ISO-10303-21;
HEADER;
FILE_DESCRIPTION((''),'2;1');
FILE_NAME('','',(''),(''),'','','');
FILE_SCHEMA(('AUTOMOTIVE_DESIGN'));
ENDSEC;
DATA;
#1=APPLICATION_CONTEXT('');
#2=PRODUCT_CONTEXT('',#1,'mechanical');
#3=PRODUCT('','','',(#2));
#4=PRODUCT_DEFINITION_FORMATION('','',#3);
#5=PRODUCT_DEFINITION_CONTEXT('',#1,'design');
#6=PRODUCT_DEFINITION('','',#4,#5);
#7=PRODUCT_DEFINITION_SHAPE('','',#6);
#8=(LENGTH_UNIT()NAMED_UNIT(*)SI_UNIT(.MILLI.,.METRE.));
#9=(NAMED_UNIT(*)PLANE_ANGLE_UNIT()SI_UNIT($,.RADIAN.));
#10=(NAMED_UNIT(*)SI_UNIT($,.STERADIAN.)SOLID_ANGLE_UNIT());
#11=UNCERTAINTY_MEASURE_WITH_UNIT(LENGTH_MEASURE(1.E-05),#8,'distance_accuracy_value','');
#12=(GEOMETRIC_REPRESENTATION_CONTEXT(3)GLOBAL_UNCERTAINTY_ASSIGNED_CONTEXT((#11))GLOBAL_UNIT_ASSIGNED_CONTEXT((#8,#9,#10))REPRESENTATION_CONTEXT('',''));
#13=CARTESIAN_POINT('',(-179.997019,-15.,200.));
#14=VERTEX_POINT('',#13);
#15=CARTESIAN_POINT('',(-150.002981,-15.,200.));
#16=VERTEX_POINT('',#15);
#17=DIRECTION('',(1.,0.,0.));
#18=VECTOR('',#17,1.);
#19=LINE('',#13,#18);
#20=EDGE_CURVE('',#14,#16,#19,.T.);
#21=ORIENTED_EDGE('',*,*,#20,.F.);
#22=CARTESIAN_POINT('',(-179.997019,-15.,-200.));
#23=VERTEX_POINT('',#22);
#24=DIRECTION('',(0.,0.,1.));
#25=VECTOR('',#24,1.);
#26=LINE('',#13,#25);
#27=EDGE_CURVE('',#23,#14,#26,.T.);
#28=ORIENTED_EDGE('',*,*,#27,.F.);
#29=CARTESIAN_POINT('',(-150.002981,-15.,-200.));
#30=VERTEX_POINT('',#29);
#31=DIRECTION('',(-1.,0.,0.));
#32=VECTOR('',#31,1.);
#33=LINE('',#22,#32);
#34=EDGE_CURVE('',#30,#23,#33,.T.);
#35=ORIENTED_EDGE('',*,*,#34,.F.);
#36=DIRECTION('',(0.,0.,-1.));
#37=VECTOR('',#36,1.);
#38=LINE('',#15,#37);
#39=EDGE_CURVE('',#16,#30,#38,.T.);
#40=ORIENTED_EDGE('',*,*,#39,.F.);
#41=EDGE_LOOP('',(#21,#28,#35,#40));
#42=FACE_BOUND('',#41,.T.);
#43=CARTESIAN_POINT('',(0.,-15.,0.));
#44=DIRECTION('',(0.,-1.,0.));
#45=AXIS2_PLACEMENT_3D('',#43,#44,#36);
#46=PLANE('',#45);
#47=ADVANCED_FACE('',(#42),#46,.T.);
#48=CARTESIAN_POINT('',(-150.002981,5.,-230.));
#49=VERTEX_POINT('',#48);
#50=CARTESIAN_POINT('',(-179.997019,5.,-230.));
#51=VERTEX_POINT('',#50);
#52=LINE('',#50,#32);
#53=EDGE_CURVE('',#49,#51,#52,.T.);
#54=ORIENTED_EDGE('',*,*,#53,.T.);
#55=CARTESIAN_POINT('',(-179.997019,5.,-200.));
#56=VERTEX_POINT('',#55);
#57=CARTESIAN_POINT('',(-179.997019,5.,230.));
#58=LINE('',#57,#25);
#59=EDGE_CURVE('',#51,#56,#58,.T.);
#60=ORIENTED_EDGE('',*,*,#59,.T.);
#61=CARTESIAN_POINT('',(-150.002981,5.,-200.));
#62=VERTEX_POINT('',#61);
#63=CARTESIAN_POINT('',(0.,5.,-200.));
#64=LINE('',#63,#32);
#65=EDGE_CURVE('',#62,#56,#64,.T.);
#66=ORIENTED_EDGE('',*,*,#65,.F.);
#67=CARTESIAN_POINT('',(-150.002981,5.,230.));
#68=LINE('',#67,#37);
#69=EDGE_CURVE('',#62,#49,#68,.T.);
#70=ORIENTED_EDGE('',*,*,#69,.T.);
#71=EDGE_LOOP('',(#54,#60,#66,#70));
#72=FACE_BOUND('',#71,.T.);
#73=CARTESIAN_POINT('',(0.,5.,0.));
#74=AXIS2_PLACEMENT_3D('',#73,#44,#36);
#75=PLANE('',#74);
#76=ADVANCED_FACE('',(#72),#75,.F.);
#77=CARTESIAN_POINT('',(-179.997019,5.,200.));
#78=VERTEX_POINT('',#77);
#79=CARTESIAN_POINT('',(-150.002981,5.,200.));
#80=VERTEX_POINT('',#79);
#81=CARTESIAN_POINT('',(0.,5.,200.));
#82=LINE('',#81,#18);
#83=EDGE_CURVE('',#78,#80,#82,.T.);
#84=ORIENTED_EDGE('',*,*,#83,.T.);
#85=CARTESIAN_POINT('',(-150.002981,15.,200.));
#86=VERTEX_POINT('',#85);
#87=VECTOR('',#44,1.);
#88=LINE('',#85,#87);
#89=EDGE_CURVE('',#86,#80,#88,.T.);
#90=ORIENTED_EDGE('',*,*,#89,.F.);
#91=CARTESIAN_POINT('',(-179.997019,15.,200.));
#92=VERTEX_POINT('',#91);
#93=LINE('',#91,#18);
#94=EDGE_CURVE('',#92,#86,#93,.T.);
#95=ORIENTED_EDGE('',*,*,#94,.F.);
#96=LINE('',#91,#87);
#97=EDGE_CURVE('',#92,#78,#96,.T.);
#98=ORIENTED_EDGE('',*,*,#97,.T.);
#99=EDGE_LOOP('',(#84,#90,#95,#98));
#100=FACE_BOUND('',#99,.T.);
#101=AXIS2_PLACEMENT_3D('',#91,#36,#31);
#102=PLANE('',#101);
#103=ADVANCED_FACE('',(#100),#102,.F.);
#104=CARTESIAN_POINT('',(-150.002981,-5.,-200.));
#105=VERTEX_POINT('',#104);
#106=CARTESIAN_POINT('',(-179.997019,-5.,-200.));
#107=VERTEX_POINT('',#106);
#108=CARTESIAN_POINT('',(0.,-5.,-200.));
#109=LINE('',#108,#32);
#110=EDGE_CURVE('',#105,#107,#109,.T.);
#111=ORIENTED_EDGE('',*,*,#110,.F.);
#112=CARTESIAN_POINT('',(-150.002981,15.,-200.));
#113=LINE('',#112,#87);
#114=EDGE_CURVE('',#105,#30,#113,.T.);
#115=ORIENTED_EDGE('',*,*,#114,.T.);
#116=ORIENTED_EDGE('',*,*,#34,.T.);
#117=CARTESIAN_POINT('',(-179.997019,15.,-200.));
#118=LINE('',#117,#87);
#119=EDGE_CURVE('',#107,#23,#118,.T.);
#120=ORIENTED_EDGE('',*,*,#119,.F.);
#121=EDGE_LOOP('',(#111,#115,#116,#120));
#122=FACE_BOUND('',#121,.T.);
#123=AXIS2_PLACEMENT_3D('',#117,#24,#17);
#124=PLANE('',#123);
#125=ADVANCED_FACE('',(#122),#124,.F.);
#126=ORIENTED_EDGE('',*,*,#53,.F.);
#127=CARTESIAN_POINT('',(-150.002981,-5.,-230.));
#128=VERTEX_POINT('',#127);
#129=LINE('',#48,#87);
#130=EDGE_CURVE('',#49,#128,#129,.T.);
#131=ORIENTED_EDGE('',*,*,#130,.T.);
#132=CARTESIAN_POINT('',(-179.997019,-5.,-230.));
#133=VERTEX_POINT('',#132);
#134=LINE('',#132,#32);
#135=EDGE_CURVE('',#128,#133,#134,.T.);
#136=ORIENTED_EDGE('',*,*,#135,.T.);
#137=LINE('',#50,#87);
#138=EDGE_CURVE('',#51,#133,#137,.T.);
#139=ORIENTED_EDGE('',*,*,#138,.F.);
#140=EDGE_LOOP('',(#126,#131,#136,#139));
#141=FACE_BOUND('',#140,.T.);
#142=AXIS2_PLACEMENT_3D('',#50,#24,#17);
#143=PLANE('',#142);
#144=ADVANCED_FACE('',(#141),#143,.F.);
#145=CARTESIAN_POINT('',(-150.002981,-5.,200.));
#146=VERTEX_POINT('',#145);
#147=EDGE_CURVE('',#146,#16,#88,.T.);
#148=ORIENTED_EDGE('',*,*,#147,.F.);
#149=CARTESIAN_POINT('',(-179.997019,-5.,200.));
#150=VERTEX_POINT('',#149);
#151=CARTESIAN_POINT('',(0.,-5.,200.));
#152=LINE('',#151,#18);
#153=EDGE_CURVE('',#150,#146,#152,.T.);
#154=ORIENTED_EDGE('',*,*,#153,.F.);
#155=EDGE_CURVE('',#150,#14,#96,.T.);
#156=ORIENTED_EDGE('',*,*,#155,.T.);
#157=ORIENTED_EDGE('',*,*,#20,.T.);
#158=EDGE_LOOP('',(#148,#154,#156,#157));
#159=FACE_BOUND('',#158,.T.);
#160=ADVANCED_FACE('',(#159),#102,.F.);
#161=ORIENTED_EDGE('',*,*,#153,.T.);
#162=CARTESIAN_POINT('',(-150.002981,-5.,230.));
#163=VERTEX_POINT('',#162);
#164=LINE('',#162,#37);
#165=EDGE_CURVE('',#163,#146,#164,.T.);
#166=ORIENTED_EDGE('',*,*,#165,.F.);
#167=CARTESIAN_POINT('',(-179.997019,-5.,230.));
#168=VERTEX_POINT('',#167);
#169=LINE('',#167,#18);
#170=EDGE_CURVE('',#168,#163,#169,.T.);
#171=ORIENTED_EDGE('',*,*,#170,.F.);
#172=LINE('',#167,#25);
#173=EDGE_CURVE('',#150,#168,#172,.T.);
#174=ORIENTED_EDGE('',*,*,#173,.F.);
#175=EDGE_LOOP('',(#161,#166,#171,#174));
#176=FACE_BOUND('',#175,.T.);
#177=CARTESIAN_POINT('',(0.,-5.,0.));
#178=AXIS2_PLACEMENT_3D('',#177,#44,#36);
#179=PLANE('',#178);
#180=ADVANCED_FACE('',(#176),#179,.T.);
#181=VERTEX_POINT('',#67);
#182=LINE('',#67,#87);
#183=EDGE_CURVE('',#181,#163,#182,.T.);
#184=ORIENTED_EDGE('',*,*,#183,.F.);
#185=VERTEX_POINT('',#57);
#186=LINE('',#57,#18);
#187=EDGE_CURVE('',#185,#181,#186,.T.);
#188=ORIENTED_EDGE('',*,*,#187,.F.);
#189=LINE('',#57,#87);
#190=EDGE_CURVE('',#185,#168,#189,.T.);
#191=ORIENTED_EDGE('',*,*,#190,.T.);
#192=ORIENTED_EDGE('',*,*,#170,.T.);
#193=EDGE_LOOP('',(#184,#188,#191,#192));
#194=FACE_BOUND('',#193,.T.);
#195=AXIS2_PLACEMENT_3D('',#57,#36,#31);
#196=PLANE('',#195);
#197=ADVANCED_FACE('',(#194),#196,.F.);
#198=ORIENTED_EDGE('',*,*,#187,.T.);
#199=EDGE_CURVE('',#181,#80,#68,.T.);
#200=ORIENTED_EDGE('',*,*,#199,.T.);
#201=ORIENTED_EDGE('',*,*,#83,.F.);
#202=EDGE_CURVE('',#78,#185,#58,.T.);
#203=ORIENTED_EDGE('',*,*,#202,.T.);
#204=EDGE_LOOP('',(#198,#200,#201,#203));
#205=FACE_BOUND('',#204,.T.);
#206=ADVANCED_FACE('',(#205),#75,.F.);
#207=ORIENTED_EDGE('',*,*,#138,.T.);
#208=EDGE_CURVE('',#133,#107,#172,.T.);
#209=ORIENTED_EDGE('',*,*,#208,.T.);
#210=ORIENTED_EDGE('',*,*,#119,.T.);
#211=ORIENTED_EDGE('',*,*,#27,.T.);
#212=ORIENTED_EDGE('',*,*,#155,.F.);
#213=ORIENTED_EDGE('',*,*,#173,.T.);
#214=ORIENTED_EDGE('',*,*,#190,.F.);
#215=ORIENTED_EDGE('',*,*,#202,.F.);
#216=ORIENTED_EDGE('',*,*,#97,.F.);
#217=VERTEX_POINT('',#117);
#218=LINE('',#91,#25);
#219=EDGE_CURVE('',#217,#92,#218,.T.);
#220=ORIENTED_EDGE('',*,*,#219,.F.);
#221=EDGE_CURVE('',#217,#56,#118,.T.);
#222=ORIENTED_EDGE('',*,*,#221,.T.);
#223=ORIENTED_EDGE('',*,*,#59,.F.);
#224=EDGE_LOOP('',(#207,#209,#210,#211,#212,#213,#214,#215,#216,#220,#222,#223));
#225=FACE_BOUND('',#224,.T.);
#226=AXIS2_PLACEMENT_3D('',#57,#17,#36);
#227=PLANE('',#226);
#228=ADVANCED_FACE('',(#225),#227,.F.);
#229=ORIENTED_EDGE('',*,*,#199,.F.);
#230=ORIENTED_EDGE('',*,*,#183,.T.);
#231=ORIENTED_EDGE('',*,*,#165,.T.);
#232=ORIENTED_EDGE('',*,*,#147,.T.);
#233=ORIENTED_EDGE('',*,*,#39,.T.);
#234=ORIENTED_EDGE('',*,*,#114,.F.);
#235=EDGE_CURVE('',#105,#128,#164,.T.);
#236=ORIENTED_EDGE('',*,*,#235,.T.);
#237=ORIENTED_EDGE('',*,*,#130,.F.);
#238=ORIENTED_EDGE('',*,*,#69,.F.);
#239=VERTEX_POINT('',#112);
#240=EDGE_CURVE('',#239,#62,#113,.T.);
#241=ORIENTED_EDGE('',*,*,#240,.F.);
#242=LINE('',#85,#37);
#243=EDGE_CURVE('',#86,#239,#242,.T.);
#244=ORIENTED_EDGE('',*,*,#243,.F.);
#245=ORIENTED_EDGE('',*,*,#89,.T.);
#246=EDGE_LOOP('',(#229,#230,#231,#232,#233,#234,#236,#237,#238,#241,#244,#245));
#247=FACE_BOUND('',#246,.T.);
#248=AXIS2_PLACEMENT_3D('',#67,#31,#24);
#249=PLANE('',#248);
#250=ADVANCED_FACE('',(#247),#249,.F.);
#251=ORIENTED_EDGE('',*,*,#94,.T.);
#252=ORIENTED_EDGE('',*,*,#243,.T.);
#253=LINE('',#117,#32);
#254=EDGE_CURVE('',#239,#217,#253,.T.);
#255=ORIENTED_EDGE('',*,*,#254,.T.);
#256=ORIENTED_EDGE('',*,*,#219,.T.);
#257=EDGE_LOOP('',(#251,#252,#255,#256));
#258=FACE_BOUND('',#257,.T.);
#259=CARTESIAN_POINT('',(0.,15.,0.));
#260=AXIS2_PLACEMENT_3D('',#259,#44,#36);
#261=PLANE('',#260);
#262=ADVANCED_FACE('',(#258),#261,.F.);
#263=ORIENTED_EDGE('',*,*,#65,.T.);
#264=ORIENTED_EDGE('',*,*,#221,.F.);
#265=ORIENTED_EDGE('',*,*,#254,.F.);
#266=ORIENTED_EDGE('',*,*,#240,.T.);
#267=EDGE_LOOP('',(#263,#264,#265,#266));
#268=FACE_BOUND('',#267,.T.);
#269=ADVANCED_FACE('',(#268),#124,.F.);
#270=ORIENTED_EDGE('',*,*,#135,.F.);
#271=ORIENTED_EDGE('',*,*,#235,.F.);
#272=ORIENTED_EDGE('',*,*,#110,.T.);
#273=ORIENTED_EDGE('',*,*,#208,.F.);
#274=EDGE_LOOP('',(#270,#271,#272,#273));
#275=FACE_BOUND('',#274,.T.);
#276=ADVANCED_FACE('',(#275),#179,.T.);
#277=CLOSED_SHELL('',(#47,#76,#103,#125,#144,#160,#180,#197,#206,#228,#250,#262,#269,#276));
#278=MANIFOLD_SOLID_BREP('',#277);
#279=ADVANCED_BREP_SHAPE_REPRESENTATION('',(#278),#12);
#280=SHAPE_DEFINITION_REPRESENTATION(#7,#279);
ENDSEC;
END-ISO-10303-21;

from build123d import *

# Parameters (mm, degrees)
CROQUIS1_W              = 29.994038168
CROQUIS1_H              = 460
SALIENTE_EXTRUIR1_DEPTH = 5
CROQUIS2_W              = 29.994038168
CROQUIS2_H              = 400
SALIENTE_EXTRUIR2_DEPTH = 15


with BuildPart() as part:
    # Croquis1 → Saliente-Extruir1 (new, symmetric)
    with BuildSketch(Plane(origin=(0, 0, 0), x_dir=(1, 0, 0), z_dir=(0, 1, 0))):
        with Locations((-165, 0)):
            Rectangle(CROQUIS1_W, CROQUIS1_H)
    extrude(amount=SALIENTE_EXTRUIR1_DEPTH, both=True)

    # Croquis2 → Saliente-Extruir2 (add, symmetric)
    with BuildSketch(Plane(origin=(0, 0, 0), x_dir=(1, 0, 0), z_dir=(0, 1, 0))):
        with Locations((-165, 0)):
            Rectangle(CROQUIS2_W, CROQUIS2_H)
    extrude(amount=SALIENTE_EXTRUIR2_DEPTH, both=True)


solid = part.part
